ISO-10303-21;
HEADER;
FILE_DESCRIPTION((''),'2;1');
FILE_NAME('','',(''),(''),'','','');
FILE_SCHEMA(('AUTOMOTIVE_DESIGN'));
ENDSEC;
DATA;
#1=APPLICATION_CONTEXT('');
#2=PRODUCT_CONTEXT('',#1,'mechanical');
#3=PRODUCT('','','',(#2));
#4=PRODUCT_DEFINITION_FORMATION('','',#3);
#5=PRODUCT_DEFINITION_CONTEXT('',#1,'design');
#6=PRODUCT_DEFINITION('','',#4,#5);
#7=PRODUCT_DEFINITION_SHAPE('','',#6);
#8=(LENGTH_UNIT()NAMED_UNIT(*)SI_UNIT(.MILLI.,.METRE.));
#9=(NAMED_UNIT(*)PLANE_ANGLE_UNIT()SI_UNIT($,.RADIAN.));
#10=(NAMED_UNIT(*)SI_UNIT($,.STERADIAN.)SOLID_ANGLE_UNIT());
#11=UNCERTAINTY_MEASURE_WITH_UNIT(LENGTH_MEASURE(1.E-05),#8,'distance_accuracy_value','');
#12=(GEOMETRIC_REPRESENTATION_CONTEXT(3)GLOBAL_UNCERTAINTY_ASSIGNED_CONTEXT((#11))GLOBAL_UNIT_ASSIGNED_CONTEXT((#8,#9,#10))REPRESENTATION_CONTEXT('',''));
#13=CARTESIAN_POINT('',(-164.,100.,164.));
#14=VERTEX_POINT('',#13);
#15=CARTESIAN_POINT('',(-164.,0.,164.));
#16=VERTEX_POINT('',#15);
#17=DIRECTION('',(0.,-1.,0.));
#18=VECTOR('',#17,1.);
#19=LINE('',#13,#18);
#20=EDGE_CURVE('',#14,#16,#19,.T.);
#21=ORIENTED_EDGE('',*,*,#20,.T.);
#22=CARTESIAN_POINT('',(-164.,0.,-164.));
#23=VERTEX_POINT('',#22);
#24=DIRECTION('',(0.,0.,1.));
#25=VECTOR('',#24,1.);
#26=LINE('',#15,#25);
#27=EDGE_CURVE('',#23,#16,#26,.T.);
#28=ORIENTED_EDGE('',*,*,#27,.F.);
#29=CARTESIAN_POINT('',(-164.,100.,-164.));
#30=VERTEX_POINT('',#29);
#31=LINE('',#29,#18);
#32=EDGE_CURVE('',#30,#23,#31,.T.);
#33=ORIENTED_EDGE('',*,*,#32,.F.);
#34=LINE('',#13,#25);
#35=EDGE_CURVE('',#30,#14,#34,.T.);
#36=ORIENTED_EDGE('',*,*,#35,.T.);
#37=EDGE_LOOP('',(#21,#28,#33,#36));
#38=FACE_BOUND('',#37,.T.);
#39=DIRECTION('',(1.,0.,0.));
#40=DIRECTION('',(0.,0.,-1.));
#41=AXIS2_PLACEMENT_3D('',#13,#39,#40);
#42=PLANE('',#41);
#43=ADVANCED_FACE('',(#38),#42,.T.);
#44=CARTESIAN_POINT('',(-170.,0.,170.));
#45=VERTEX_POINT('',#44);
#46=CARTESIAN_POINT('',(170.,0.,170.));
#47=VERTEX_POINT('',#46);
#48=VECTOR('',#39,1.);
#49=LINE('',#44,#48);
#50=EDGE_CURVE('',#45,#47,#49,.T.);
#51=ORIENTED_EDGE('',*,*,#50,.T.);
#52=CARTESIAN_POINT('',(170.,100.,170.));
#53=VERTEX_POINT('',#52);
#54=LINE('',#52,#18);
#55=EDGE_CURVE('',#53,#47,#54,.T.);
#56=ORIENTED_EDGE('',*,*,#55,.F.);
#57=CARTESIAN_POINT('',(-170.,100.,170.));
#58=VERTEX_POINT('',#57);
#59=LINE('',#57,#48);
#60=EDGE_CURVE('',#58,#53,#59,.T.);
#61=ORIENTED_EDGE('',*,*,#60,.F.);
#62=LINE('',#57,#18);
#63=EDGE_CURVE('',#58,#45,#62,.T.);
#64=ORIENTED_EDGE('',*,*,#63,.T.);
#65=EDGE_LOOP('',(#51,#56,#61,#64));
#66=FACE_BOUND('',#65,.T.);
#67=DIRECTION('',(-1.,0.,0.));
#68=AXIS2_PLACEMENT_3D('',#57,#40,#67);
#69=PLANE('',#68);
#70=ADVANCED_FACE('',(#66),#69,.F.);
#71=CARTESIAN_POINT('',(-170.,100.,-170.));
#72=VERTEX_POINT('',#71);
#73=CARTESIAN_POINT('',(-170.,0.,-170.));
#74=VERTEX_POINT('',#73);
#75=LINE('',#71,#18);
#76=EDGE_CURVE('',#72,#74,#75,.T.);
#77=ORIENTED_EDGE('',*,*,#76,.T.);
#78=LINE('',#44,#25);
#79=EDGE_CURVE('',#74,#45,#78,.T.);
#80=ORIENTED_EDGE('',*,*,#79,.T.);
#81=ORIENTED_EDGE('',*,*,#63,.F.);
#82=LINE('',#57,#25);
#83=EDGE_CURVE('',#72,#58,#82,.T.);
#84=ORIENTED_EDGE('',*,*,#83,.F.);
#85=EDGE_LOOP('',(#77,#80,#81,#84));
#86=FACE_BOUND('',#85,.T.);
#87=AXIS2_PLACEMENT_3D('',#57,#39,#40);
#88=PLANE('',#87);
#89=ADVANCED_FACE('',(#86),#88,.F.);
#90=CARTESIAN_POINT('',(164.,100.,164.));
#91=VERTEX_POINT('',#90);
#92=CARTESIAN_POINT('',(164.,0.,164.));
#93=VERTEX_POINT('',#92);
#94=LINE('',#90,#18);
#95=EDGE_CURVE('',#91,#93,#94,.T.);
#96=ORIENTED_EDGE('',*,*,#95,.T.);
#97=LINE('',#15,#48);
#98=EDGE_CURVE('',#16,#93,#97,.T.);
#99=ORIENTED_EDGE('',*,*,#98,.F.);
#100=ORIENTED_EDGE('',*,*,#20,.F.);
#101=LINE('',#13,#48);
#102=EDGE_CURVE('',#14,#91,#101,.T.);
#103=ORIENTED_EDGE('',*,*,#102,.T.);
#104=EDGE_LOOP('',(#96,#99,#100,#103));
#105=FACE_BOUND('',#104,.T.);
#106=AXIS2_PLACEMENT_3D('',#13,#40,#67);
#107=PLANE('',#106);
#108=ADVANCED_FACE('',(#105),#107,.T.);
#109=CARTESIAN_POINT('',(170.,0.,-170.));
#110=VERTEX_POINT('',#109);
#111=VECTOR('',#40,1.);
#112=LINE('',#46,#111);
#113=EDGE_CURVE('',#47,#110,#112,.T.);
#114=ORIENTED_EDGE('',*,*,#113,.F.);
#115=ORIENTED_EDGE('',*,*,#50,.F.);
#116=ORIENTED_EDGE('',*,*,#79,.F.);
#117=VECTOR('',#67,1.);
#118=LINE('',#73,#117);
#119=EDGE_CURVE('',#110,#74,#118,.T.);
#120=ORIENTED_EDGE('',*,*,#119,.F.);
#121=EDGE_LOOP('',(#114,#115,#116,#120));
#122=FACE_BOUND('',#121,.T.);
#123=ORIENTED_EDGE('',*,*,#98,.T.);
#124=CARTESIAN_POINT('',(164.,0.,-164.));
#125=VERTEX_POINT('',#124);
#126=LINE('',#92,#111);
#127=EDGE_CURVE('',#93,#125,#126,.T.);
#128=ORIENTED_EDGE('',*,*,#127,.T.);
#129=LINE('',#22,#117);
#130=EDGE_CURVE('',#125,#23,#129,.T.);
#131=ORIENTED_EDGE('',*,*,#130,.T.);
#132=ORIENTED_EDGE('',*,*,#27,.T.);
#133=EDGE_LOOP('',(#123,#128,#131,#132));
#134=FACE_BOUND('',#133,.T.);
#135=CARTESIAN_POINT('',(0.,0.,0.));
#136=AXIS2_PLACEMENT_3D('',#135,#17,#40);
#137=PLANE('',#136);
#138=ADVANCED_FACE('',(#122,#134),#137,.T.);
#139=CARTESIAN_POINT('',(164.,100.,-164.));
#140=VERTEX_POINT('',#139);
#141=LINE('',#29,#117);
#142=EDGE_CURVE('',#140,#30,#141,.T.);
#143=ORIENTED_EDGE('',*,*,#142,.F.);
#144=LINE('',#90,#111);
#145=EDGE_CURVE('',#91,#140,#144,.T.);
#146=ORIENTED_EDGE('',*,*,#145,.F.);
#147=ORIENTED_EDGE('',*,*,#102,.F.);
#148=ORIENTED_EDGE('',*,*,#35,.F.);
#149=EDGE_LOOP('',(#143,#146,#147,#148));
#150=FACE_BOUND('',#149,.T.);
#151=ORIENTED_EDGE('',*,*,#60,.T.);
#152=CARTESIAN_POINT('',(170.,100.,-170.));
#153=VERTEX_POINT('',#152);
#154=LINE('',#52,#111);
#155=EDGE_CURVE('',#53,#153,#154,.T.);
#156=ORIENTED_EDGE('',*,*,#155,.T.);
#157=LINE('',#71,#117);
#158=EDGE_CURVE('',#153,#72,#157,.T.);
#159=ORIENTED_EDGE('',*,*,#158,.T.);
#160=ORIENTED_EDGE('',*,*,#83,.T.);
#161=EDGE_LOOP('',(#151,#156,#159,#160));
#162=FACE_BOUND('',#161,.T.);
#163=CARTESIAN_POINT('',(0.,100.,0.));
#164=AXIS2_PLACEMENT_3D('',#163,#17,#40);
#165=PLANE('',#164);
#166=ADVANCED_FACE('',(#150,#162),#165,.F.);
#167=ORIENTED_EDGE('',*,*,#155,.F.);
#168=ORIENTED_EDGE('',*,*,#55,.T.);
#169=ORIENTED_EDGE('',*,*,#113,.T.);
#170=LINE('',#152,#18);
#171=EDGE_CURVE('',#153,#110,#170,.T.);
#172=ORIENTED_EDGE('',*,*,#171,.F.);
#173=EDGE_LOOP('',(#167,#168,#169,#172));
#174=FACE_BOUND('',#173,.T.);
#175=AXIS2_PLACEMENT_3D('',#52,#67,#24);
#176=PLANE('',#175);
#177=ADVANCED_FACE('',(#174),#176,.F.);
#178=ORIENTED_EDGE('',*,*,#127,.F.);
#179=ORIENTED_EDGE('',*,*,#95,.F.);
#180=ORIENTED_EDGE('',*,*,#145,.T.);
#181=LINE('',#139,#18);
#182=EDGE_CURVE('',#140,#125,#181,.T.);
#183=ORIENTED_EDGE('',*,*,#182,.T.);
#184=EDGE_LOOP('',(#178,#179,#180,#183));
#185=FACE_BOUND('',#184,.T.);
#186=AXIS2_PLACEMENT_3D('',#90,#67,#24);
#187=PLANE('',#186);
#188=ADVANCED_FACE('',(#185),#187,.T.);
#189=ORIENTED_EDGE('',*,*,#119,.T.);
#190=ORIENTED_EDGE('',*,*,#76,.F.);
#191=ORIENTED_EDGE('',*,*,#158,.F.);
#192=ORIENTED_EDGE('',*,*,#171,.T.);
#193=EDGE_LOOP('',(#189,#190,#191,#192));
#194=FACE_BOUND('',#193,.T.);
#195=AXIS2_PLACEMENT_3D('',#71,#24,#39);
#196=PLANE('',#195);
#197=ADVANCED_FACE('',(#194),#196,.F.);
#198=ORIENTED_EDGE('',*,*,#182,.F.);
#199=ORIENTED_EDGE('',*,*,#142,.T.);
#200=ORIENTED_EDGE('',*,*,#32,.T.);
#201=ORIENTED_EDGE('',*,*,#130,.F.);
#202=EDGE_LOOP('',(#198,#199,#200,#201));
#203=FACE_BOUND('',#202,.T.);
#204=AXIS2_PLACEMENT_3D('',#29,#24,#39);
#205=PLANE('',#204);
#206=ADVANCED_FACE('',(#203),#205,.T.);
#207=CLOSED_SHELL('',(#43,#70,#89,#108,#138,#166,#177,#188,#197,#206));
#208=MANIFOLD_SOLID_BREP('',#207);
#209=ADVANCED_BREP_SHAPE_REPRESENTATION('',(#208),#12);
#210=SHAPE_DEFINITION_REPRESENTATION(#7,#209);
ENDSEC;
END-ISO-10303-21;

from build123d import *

# Parameters (mm, degrees)
SKETCH1_W           = 340
SKETCH1_H           = 340
SKETCH1_W_2         = 328
SKETCH1_H_2         = 328
BOSS_EXTRUDE1_DEPTH = 100


with BuildPart() as part:
    # Sketch1 → Boss-Extrude1 (new body)
    with BuildSketch(Plane(origin=(0, 0, 0), x_dir=(1, 0, 0), z_dir=(0, 1, 0))):
        Rectangle(SKETCH1_W, SKETCH1_H)
        Rectangle(SKETCH1_W_2, SKETCH1_H_2, mode=Mode.SUBTRACT)
    extrude(amount=BOSS_EXTRUDE1_DEPTH)


solid = part.part
